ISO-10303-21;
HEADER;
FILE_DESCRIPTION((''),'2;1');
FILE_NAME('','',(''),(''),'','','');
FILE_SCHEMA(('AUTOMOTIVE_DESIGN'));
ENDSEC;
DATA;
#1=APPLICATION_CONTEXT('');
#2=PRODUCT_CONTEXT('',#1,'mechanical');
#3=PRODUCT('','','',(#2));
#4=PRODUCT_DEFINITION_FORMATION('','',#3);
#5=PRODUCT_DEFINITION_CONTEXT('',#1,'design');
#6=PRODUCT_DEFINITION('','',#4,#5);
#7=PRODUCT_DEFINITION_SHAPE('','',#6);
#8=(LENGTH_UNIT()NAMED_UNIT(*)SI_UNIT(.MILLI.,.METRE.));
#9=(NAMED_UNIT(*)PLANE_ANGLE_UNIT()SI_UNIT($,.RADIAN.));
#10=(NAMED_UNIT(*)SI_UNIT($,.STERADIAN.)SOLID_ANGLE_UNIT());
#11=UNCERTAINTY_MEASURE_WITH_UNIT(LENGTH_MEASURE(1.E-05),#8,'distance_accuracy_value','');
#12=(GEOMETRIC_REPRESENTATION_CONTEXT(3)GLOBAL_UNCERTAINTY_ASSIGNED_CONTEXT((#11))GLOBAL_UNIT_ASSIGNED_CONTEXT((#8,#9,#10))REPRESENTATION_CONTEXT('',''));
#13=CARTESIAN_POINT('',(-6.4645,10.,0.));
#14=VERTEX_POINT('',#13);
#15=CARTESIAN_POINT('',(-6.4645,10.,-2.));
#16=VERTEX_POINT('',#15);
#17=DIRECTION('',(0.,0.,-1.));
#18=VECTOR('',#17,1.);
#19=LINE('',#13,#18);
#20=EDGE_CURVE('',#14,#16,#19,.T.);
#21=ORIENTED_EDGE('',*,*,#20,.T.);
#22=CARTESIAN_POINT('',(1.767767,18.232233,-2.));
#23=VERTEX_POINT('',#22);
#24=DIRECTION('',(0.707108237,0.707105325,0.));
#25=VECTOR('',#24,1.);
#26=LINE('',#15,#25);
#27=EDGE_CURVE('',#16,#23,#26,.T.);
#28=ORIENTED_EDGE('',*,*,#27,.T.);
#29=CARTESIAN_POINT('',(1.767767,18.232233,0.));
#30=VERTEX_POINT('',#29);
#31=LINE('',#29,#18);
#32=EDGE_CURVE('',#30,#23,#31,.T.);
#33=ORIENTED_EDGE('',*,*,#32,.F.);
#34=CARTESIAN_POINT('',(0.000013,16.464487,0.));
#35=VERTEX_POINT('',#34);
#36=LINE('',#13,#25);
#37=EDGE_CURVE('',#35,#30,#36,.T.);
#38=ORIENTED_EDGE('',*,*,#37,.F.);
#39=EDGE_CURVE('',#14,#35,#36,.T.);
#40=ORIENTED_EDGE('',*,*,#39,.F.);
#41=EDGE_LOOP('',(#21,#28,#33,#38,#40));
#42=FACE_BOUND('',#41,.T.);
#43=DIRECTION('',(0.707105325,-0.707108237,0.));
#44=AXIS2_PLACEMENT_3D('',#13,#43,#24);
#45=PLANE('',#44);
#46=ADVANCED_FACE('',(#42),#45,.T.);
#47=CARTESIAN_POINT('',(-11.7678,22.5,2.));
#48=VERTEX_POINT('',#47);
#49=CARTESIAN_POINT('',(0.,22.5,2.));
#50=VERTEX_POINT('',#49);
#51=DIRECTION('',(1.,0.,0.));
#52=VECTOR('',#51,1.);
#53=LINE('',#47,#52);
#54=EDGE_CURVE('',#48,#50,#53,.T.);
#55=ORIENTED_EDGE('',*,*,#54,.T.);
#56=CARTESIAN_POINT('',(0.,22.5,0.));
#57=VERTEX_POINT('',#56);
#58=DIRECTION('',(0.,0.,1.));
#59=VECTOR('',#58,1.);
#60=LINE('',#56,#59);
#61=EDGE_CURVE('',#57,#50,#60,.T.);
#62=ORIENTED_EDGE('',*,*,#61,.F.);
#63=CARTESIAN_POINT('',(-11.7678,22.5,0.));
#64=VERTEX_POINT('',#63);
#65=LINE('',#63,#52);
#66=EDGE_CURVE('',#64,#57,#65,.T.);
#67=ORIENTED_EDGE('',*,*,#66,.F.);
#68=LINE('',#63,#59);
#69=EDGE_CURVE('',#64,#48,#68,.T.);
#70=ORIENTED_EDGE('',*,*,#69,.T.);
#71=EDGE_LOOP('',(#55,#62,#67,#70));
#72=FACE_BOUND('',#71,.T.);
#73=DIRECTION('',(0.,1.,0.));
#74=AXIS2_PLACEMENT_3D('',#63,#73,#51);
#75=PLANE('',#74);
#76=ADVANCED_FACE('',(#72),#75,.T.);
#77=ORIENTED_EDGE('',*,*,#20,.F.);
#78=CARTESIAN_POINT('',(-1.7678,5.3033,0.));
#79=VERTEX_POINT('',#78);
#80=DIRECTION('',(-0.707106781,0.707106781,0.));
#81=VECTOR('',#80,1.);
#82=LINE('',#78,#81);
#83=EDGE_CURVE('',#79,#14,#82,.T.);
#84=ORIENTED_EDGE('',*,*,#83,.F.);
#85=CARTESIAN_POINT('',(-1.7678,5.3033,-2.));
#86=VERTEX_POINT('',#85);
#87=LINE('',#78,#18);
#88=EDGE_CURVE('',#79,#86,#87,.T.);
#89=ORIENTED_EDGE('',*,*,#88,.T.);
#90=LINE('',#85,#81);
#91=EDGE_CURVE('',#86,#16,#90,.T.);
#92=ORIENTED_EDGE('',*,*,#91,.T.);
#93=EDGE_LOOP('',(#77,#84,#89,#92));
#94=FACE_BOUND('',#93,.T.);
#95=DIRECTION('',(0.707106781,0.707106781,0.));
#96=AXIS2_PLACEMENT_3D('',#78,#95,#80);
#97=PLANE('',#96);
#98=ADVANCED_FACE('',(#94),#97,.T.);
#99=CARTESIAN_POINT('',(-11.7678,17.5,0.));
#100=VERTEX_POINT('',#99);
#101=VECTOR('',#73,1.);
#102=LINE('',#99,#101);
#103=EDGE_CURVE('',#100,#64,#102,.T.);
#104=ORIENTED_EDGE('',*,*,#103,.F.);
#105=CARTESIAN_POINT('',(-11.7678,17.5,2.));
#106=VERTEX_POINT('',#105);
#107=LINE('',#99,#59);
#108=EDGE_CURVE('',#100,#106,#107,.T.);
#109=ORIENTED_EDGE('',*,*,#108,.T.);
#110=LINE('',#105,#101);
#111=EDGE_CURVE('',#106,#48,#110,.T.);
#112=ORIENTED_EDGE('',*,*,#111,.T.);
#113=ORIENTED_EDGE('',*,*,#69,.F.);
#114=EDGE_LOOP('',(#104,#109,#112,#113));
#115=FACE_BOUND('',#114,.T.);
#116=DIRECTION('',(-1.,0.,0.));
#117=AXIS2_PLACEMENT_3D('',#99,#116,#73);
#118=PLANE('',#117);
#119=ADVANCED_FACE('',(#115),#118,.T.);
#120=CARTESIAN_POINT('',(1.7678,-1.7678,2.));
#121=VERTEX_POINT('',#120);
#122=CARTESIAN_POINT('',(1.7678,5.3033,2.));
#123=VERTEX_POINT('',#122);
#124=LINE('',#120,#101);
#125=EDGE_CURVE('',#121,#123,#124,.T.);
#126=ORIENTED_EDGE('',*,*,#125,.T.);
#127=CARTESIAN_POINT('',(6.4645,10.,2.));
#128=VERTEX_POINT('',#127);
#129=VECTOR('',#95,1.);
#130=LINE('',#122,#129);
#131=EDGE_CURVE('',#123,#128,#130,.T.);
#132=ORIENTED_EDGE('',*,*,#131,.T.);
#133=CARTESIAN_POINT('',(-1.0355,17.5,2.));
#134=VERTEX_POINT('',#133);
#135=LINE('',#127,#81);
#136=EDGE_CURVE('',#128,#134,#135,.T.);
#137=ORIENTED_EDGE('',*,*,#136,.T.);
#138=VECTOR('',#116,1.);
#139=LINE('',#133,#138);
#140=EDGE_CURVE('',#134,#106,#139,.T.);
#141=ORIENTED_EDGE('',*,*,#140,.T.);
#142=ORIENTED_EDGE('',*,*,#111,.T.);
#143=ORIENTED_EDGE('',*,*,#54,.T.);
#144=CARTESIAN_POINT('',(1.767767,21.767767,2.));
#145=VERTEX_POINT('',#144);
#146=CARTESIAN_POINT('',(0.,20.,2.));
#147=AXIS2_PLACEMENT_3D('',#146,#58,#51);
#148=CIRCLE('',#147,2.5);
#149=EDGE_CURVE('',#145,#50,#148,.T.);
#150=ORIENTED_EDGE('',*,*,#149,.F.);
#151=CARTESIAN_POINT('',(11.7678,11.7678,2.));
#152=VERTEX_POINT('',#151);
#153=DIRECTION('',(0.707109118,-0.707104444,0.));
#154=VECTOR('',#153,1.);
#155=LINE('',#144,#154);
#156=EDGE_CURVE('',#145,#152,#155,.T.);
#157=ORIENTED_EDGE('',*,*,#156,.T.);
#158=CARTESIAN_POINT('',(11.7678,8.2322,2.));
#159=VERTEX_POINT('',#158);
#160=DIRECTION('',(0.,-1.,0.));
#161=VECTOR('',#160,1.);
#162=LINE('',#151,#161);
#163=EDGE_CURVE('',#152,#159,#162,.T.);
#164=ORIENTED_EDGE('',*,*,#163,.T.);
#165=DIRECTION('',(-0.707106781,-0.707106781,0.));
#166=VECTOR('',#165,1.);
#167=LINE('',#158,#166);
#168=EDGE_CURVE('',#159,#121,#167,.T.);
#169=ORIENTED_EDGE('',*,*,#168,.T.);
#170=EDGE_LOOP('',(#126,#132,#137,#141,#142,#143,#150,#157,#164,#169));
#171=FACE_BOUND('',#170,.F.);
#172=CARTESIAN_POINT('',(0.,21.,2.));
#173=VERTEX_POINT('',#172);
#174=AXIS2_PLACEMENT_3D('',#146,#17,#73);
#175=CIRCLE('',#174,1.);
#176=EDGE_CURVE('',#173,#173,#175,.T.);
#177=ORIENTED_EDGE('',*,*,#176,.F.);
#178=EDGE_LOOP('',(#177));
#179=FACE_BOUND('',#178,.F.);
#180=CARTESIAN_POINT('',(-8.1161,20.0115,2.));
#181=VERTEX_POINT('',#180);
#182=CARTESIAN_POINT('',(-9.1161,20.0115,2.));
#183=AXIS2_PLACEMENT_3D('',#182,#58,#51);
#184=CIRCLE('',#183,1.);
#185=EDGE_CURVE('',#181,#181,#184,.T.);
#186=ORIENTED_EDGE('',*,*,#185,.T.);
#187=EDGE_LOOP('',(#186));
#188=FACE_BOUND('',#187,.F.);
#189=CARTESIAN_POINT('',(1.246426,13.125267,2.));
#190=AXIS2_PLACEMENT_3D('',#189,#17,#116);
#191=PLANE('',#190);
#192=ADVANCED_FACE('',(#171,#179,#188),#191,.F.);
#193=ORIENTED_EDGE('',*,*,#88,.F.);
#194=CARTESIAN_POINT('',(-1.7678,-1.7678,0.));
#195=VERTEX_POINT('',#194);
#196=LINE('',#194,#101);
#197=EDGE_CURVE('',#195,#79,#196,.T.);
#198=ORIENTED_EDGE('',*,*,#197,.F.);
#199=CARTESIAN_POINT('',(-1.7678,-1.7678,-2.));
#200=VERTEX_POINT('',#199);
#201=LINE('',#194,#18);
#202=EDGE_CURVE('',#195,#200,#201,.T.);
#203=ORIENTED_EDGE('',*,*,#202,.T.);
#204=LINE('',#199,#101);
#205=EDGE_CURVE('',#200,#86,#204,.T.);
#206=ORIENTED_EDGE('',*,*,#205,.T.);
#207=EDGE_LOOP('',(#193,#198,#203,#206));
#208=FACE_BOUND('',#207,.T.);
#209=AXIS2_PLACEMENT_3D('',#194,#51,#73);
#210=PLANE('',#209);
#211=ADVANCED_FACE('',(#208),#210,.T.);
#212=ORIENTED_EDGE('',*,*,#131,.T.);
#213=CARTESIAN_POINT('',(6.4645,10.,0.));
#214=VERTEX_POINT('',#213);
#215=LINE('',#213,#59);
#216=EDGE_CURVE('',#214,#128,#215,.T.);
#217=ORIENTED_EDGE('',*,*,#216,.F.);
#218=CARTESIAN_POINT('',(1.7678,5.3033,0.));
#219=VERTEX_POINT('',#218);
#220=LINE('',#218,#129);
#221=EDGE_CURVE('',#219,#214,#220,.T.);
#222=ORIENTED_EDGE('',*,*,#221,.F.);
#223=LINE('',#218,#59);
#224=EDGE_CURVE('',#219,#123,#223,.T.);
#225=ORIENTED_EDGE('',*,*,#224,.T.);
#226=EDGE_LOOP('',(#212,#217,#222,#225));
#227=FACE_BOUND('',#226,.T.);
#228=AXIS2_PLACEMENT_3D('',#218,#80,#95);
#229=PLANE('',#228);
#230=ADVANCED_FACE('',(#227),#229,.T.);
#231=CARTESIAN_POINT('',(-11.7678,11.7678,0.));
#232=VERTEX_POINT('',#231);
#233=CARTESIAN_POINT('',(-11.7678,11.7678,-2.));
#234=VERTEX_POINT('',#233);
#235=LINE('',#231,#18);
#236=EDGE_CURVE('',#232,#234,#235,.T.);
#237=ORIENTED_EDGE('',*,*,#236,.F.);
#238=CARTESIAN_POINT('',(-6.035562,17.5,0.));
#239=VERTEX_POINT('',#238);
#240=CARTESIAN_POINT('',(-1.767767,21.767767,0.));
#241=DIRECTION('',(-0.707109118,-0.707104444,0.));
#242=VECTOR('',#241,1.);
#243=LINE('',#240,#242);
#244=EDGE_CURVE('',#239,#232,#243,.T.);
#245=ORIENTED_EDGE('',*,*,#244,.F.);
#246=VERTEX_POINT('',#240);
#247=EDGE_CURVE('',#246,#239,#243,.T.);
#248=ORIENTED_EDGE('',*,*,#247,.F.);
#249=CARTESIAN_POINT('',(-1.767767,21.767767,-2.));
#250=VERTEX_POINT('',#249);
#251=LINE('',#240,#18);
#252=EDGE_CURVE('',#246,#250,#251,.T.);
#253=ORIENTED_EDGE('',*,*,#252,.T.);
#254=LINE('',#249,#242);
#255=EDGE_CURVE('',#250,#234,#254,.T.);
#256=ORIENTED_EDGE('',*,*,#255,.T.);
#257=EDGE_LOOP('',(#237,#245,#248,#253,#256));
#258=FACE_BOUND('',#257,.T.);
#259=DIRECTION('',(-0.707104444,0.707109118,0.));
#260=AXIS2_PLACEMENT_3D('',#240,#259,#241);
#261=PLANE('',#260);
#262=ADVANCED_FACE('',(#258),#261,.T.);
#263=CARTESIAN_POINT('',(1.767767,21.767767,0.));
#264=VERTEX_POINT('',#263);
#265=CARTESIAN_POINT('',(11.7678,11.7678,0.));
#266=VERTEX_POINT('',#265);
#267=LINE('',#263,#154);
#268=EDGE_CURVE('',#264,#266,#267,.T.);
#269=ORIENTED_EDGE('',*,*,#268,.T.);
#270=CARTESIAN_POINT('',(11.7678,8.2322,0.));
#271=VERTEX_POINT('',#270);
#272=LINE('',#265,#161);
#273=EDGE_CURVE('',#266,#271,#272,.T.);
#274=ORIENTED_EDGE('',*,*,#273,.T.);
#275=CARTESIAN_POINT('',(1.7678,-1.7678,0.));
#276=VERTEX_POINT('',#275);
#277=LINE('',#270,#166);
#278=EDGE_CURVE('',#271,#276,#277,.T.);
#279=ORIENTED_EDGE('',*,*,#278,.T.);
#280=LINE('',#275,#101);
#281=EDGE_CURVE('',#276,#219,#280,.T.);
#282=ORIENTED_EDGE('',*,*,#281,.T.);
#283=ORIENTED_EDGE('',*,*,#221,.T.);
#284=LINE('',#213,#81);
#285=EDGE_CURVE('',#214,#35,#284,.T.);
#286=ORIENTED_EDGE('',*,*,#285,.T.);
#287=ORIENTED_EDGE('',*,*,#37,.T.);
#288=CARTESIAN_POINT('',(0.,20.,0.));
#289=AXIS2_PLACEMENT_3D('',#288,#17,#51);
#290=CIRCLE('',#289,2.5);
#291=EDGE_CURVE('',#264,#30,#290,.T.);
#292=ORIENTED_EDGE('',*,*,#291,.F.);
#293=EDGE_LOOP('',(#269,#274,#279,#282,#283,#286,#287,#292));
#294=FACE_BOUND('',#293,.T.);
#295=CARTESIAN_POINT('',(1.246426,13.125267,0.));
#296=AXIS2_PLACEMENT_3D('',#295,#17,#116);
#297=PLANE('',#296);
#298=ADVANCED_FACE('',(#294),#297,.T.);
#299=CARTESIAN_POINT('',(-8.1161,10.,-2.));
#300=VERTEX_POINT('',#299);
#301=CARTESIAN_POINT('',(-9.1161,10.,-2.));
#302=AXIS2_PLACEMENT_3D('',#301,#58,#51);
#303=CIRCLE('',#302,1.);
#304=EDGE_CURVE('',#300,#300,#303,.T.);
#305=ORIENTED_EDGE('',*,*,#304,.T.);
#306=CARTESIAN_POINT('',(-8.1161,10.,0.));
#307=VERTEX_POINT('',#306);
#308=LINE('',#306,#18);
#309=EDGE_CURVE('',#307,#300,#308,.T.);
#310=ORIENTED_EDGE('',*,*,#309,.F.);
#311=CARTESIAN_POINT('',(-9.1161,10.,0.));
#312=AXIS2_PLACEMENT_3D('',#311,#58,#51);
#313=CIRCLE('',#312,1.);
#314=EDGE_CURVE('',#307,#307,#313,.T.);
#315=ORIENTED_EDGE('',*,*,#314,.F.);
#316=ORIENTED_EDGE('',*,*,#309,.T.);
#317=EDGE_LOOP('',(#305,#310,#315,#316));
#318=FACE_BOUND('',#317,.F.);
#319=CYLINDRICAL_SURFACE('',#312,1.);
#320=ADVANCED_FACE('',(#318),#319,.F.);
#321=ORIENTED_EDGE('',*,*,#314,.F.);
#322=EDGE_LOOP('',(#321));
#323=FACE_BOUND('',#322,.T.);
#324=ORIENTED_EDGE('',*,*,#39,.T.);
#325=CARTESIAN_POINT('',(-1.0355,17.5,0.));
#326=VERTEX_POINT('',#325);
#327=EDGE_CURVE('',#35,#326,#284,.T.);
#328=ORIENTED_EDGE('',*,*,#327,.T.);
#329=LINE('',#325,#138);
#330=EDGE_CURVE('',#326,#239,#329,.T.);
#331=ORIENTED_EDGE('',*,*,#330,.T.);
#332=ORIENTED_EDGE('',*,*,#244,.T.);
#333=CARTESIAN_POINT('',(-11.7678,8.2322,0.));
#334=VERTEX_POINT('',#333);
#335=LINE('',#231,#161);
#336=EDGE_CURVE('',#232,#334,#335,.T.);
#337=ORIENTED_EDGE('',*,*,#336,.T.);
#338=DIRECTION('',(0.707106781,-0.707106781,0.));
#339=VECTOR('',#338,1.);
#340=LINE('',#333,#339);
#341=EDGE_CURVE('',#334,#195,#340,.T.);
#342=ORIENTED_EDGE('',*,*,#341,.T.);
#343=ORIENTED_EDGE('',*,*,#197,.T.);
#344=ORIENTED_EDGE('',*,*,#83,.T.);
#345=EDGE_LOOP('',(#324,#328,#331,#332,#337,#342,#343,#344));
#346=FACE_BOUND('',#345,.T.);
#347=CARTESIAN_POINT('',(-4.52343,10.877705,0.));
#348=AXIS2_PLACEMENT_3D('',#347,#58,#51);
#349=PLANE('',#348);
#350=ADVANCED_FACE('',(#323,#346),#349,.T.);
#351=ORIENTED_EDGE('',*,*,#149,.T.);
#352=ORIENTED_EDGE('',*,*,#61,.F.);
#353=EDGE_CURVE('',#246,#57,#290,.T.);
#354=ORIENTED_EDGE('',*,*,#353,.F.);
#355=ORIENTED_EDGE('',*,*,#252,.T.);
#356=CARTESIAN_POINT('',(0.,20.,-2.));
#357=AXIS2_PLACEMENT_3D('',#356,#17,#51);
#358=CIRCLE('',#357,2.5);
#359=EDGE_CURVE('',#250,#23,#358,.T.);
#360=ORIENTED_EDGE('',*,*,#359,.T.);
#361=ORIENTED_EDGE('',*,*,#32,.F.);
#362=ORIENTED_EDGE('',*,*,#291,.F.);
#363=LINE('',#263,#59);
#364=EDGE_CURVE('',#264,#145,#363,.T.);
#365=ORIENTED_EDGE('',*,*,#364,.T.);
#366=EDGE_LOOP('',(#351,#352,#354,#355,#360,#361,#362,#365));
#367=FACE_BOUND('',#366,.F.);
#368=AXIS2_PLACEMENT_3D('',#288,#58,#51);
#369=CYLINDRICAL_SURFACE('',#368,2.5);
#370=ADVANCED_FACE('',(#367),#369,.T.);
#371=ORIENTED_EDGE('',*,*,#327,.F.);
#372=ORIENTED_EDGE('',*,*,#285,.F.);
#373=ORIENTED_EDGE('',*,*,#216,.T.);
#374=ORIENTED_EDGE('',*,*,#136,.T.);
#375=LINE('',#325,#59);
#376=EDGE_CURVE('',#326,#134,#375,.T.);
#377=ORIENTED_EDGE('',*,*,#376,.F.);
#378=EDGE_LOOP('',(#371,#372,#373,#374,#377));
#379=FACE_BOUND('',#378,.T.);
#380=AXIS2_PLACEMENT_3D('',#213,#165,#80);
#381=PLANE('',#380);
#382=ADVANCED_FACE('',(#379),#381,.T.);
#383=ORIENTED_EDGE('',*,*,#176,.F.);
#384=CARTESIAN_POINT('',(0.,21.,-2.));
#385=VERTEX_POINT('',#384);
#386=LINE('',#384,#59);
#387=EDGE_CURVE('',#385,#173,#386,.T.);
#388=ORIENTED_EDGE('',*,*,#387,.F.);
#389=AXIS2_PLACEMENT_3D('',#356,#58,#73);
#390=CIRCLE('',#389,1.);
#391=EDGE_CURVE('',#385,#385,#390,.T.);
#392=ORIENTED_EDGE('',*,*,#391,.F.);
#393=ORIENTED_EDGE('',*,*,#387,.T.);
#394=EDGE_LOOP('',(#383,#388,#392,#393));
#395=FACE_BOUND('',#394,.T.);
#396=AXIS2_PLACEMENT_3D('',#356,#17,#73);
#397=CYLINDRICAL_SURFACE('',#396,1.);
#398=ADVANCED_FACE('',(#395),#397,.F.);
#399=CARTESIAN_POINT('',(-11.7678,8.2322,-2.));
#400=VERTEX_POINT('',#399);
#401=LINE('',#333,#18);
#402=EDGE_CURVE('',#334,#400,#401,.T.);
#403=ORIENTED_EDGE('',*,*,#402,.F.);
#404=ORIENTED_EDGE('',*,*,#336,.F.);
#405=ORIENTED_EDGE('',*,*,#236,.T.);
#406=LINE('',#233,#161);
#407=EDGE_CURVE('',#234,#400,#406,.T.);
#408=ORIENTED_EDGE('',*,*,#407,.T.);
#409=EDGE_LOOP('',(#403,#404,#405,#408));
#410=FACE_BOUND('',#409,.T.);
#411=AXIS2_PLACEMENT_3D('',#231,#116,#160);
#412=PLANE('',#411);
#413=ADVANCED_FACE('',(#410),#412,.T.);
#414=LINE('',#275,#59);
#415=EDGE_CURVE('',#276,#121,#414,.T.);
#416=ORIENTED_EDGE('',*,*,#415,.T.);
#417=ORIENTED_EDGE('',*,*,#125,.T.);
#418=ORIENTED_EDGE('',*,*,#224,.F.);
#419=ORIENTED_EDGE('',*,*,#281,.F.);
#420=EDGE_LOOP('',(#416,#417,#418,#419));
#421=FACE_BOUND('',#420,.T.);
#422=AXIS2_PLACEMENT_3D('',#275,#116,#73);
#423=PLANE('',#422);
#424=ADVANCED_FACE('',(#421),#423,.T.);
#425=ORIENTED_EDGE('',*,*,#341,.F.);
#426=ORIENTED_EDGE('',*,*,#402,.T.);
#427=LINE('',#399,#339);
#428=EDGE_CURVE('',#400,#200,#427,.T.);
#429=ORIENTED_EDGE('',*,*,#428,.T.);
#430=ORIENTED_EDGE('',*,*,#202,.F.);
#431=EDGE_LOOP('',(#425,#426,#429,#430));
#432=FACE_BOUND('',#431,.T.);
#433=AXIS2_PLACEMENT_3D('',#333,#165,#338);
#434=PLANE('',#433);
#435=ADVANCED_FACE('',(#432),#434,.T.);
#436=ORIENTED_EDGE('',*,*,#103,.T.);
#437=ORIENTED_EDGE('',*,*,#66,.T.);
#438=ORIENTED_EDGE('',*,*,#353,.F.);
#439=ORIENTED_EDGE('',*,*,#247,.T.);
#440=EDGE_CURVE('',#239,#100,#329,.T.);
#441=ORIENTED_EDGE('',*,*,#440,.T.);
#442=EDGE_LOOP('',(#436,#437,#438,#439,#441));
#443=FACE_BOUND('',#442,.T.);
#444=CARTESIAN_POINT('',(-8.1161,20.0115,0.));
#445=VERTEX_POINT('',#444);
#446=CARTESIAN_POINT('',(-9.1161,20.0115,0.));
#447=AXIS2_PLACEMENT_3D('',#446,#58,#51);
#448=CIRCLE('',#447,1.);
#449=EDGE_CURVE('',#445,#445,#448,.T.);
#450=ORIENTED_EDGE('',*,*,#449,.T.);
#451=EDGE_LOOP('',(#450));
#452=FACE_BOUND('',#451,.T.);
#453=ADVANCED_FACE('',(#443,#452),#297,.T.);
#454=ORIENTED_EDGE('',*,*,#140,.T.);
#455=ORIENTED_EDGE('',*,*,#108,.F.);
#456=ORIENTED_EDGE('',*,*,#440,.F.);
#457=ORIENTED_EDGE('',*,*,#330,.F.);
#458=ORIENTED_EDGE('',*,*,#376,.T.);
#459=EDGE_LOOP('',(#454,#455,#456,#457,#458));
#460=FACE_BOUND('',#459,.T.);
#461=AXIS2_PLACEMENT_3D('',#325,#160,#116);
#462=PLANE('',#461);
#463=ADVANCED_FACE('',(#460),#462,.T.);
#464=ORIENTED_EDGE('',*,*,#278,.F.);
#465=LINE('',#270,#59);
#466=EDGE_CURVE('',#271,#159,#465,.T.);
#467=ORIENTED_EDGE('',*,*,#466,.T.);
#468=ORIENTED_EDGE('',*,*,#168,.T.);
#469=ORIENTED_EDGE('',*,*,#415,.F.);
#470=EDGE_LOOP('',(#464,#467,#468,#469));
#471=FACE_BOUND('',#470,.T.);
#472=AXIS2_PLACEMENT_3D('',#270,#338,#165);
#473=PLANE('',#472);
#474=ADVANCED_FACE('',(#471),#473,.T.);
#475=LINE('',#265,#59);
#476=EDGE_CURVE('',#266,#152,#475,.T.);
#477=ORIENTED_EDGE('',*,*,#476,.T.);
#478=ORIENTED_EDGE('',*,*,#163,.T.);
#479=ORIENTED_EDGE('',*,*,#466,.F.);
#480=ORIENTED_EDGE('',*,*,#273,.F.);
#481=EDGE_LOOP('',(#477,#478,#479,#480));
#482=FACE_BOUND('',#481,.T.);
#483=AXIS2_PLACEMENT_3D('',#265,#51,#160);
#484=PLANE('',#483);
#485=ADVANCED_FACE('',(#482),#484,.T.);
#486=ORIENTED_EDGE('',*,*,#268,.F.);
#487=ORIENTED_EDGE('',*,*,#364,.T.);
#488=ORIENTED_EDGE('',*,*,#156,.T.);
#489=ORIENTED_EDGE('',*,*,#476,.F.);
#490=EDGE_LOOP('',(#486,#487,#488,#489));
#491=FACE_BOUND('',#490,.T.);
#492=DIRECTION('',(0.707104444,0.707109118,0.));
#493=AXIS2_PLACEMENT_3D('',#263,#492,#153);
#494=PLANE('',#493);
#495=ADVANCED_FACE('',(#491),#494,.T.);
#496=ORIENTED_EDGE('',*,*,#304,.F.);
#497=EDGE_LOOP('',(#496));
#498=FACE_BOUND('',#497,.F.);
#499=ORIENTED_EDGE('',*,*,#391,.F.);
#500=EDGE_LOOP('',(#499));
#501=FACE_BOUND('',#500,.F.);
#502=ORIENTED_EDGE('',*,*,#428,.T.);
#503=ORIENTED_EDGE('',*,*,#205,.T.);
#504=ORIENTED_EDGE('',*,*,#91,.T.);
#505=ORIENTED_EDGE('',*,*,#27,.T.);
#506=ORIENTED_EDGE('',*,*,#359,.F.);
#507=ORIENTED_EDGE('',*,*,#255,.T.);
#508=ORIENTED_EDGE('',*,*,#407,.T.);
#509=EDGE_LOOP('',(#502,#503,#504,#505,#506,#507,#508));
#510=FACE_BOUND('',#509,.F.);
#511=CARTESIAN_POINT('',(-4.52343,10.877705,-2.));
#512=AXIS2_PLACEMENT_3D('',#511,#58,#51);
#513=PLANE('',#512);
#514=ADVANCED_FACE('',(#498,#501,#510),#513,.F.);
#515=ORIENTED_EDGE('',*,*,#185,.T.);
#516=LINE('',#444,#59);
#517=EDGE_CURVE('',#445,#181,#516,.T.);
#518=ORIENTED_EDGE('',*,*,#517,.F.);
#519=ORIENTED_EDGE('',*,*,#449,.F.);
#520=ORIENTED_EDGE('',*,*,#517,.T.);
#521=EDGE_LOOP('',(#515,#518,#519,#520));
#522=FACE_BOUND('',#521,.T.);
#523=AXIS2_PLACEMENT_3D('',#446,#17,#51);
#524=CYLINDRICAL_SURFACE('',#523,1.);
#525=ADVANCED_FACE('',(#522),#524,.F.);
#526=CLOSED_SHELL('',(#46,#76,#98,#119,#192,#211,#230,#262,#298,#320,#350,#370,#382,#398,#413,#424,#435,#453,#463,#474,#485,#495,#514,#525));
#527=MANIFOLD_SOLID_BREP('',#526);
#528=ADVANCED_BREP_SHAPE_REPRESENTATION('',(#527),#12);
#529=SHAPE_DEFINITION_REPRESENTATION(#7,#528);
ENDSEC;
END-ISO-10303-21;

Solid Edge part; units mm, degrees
sketch "Sketch1" plane through (0, 0, 0) normal (0, 0, 1) x (1, 0, 0)
  line L0 (11.7678, 8.2322) -> (1.7678, -1.7678)
  line L1 (1.7678, -1.7678) -> (1.7678, 5.3033)
  line L2 (1.7678, 5.3033) -> (6.4645, 10)
  line L3 (6.4645, 10) -> (-1.0355, 17.5)
  line L4 (-1.0355, 17.5) -> (-11.7678, 17.5)
  line L5 (-11.7678, 17.5) -> (-11.7678, 22.5)
  line L6 (-11.7678, 22.5) -> (0, 22.5)
  arc A0 (1.7678, 21.7678) -> (0, 22.5) centre (0, 20) ccw
  line L7 (1.7678, 21.7678) -> (11.7678, 11.7678)
  line L8 (11.7678, 11.7678) -> (11.7678, 8.2322)
  circle A1 centre (-9.1161, 20.0115) radius 1
extrude "ExtrudedProtrusion_1" add sketch "Sketch1" along normal blind 2
sketch "Sketch2" plane through (0, 0, 0) normal (0, 0, 1) x (1, 0, 0)
  circle A0 centre (-9.1161, 10) radius 1
  line L0 (-1.7678, 21.7678) -> (-11.7678, 11.7678)
  line L1 (-11.7678, 11.7678) -> (-11.7678, 8.2322)
  line L2 (-11.7678, 8.2322) -> (-1.7678, -1.7678)
  line L3 (-1.7678, -1.7678) -> (-1.7678, 5.3033)
  line L4 (-1.7678, 5.3033) -> (-6.4645, 10)
  line L5 (-6.4645, 10) -> (1.7678, 18.2322)
  arc A1 (-1.7678, 21.7678) -> (1.7678, 18.2322) centre (0, 20) cw
  arc A2 (-1.7678, 21.7678) -> (1.7678, 18.2322) centre (0, 20) cw
  arc A3 (-1.7678, 21.7678) -> (1.7678, 18.2322) centre (0, 20) cw
extrude "ExtrudedProtrusion_2" add sketch "Sketch2" against normal blind 2
hole "Hole_1" at (0, 20, -2) direction (0, 0, 1) diameter 2 end up to next
